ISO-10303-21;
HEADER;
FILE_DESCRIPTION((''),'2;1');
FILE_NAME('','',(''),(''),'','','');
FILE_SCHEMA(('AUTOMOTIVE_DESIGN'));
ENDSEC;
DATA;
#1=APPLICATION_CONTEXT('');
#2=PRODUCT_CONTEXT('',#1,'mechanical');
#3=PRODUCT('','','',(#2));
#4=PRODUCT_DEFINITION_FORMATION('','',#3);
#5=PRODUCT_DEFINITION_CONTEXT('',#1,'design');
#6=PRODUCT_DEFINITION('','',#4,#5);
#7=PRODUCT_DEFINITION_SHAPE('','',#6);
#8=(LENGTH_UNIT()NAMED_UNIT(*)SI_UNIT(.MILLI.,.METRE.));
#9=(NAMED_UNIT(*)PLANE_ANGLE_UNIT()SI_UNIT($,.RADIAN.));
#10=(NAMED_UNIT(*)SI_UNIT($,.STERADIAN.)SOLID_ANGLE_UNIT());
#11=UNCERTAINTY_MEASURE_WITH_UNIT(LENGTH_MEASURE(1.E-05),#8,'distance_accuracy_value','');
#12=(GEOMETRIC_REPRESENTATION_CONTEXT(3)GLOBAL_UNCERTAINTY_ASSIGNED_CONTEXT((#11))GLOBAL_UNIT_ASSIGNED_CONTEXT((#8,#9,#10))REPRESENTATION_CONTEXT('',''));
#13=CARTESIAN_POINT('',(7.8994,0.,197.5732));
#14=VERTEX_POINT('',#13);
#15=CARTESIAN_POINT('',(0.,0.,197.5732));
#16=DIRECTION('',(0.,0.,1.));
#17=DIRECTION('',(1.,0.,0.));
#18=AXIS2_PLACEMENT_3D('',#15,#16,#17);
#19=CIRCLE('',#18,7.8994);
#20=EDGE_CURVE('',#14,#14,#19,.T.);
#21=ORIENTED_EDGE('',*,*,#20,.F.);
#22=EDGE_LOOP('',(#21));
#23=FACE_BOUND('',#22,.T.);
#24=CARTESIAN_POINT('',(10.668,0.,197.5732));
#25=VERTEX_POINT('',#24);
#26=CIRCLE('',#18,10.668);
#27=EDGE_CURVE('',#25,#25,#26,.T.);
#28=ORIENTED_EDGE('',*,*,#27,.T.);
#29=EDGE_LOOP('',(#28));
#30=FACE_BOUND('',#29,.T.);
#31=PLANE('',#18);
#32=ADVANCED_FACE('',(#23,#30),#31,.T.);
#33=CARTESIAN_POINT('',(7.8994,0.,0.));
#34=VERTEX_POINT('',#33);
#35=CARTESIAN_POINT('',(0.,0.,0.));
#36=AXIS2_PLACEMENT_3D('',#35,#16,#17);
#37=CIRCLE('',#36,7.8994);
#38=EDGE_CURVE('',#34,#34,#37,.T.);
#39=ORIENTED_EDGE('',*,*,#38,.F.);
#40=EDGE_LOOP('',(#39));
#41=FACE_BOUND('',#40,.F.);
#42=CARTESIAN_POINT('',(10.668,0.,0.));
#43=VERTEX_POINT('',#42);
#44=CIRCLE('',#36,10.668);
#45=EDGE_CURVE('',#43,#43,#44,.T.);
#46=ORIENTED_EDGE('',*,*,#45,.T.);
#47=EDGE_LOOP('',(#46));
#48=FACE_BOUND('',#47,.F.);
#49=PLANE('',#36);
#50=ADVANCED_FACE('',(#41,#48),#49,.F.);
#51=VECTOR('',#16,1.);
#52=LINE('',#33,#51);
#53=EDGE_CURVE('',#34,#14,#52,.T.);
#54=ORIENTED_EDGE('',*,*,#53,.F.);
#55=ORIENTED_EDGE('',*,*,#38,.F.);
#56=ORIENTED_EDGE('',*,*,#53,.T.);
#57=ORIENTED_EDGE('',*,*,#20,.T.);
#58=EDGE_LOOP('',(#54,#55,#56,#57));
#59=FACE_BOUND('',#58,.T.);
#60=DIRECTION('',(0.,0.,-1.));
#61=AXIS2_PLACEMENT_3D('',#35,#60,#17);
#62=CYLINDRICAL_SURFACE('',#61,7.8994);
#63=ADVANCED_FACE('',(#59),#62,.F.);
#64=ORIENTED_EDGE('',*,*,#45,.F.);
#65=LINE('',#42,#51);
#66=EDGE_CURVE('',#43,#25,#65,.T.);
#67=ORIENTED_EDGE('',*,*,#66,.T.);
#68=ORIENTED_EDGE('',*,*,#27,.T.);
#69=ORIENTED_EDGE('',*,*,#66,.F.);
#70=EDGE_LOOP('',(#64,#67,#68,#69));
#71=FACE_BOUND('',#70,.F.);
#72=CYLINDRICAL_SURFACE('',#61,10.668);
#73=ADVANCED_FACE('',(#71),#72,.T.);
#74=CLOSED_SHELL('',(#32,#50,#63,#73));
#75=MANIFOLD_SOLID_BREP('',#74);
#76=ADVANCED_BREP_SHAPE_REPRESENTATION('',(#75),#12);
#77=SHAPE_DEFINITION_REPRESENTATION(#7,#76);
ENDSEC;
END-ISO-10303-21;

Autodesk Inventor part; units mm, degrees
ref_plane "YZ Plane" through (0, 0, 0) normal (1, 0, 0) x (0, 1, 0)
ref_plane "Start Plane" through (0, 0, 0) normal (0, 0, 1) x (1, 0, 0)
ref_plane "End Plane" through (0, 0, 197.5732) normal (0, 0, 1) x (1, 0, 0)
sketch "Sketch" plane through (0, 0, 0) normal (0, 0, 1) x (1, 0, 0)
  circle A0 centre (0, 0) radius 7.8994
  circle A1 centre (0, 0) radius 10.668
  dimension "d0" = 21.336
  dimension "d1" = 2.7686
extrude "Body" add sketch "Sketch" along normal up to surface (197.5732 mm away) from surface at 0
sketch "Sketch3" plane through (0, 0, 0) normal (0, 0, 1) x (1, 0, 0)
  line L0 (0, 0) -> (10, 0)
ref_plane "Work Plane3" through (0, 0, 0) normal (0, -1, 0) x (1, 0, 0)
sketch "Sketch4" plane through (0, 0, 0) normal (0, -1, 0) x (1, 0, 0)
  line L0 (-2, 0) -> (12, 0) projected
  line L1 (-2, 197.5732) -> (12, 197.5732) projected
  dimension "d7" = 197.5732
equation "\"d0\" = G_H"
equation "\"d1\" = G_T"
equation "\"d2\" = G_L"
equation "\"G_H\" = 21.336"
equation "\"G_T\" = 2.7686"
equation "\"G_L\" = d7"
equation "\"G_OFFSET_START\" = 0"
equation "\"G_OFFSET_END\" = 0"
equation "\"d5\" = G_OFFSET_END + B_L"
equation "\"B_L\" = 197.57321"
properties part number "ANSI - 1/2 x 0.109 - 7.778" material "Steel, Mild"
